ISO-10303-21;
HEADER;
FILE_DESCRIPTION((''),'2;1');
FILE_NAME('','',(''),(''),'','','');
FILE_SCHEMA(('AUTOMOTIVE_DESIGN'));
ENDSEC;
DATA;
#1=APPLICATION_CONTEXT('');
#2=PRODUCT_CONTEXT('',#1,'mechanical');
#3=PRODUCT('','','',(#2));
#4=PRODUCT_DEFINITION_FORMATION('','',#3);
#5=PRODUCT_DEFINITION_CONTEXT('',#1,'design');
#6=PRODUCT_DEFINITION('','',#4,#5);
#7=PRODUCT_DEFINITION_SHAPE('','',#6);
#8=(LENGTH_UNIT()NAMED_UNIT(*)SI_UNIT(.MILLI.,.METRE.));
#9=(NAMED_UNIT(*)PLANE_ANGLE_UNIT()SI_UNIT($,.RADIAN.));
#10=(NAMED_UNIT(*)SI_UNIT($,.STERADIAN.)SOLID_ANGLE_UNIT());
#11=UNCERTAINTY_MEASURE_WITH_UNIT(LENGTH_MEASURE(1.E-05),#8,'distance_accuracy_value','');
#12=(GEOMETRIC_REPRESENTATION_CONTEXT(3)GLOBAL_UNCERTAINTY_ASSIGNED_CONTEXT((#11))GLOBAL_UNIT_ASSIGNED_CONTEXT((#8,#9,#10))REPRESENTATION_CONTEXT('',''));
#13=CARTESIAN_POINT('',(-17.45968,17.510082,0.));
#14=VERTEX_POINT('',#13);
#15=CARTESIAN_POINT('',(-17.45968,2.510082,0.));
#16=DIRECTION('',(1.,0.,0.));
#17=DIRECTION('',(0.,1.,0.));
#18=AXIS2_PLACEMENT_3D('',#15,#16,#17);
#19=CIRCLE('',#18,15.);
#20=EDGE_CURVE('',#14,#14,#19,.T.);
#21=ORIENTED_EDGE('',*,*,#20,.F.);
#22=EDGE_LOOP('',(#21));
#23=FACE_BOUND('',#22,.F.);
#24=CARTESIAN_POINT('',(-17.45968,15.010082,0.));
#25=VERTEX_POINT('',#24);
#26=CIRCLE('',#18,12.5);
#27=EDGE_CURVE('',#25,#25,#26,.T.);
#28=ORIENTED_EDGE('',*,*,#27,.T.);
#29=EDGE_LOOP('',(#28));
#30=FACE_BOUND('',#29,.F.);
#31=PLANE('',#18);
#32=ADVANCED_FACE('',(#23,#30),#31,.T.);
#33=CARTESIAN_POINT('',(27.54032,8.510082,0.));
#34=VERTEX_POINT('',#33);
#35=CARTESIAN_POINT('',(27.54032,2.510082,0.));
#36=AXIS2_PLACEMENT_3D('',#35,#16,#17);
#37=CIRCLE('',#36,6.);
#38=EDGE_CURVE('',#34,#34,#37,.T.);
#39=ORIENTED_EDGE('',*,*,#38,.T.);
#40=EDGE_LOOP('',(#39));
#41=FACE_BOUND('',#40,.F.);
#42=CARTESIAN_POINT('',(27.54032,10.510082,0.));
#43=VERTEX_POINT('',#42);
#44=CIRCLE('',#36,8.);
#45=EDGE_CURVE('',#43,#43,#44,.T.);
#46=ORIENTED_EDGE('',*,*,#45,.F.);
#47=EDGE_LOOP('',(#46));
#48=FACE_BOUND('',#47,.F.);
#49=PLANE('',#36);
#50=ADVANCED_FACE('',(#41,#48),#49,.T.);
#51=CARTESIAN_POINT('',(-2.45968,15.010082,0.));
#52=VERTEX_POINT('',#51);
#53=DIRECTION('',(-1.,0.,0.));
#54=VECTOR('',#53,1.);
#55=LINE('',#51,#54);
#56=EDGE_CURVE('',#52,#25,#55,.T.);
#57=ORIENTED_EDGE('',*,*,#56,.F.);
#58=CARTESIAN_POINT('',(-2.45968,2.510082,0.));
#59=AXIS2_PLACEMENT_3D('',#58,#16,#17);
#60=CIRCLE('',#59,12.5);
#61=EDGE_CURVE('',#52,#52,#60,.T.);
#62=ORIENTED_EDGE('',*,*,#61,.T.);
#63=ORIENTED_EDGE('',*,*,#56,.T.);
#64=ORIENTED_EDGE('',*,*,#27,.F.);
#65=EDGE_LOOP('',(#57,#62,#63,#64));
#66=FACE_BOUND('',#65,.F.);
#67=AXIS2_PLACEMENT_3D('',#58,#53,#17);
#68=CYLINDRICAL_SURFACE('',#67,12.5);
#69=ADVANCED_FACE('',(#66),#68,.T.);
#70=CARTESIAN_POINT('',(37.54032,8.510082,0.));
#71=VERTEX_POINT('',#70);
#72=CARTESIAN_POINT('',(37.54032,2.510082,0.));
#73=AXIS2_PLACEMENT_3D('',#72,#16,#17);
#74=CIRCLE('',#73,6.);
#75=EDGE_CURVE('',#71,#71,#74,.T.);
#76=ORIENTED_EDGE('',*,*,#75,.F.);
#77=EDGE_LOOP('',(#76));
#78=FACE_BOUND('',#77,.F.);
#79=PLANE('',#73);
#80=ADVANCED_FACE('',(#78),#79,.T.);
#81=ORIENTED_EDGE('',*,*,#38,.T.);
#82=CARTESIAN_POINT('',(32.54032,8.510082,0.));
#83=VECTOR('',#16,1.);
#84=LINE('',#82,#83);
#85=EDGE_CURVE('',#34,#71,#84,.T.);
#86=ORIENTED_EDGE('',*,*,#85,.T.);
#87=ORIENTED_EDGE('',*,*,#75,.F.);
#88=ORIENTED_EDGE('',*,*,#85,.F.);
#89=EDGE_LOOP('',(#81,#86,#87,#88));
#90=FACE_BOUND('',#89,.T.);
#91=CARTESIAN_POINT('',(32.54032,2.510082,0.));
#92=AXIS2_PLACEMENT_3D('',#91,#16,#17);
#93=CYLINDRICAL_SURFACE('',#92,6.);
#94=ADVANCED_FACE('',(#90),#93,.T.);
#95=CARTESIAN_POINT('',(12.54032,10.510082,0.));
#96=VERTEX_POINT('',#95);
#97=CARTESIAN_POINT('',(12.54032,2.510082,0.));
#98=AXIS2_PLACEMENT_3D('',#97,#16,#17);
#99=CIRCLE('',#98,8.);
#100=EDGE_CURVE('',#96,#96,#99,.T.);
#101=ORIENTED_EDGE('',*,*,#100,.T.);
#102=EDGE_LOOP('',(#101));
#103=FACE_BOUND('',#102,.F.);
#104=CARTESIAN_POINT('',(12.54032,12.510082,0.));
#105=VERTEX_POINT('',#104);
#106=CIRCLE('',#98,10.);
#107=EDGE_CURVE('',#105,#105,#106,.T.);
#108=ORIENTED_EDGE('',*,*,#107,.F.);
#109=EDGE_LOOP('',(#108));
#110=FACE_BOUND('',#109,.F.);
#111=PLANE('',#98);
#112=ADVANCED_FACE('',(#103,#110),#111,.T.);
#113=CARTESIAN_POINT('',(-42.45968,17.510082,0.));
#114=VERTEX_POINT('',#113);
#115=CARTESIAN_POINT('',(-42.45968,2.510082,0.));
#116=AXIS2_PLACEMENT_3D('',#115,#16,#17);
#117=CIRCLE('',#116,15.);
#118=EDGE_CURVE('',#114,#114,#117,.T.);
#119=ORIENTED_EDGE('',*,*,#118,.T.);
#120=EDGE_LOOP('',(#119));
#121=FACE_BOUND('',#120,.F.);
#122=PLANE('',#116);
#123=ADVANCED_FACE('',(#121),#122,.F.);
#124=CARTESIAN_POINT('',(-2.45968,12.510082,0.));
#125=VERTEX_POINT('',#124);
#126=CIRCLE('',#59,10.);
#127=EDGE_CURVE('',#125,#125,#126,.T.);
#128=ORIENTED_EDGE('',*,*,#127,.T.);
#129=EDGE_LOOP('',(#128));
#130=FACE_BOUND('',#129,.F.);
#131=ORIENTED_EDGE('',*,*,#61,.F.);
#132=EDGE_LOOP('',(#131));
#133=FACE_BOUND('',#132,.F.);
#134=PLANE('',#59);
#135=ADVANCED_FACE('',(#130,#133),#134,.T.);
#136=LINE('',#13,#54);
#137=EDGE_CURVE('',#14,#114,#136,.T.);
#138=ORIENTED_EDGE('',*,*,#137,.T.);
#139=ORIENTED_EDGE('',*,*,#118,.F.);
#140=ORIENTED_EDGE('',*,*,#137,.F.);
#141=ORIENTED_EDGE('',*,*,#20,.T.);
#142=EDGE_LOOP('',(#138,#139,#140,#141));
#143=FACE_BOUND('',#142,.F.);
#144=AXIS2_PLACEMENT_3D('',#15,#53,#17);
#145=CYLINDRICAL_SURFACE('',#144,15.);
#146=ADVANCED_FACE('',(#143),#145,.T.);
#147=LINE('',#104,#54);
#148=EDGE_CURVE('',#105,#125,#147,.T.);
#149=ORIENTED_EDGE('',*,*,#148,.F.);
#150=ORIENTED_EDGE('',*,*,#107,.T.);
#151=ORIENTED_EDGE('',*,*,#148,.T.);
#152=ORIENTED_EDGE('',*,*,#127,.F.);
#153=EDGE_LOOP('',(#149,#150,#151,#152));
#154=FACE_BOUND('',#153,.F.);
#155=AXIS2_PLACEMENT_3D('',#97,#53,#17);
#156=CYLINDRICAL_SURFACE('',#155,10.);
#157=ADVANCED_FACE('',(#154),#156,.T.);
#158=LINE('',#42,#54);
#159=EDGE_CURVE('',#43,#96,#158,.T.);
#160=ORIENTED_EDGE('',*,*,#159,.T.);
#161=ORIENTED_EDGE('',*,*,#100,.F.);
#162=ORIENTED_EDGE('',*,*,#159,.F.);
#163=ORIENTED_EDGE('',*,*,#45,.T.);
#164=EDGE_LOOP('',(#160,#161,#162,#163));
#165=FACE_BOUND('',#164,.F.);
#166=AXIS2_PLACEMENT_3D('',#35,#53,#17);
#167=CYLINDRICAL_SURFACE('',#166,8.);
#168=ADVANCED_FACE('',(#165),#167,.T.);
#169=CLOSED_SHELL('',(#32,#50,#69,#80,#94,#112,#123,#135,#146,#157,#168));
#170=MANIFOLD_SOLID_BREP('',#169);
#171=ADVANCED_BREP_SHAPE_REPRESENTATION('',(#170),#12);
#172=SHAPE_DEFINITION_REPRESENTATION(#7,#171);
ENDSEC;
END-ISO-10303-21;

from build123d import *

# Parameters (mm, degrees)
F0_W = 10
F0_H = 6


with BuildPart() as f1:
    # F0 (on Top) → F1 (revolve)
    with BuildSketch(Plane.XY):
        with Locations((32.54032, 5.510082)):
            Rectangle(F0_W, F0_H)
        Polygon((27.54032, 2.510082), (27.54032, 8.510082), (27.54032, 10.510082), (12.54032, 10.510082), (12.54032, 2.510082), align=None)
        Polygon((-2.45968, 2.510082), (12.54032, 2.510082), (12.54032, 10.510082), (12.54032, 12.510082), (-2.45968, 12.510082), align=None)
        Polygon((-17.45968, 2.510082), (-2.45968, 2.510082), (-2.45968, 12.510082), (-2.45968, 15.010082), (-17.45968, 15.010082), align=None)
        Polygon((-42.45968, 2.510082), (-17.45968, 2.510082), (-17.45968, 15.010082), (-17.45968, 17.510082), (-42.45968, 17.510082), (-42.45968, 15.997984), align=None)
    revolve(axis=Axis((20.04032, 2.510082, 0), (1, 0, 0)))


solid = f1.part
